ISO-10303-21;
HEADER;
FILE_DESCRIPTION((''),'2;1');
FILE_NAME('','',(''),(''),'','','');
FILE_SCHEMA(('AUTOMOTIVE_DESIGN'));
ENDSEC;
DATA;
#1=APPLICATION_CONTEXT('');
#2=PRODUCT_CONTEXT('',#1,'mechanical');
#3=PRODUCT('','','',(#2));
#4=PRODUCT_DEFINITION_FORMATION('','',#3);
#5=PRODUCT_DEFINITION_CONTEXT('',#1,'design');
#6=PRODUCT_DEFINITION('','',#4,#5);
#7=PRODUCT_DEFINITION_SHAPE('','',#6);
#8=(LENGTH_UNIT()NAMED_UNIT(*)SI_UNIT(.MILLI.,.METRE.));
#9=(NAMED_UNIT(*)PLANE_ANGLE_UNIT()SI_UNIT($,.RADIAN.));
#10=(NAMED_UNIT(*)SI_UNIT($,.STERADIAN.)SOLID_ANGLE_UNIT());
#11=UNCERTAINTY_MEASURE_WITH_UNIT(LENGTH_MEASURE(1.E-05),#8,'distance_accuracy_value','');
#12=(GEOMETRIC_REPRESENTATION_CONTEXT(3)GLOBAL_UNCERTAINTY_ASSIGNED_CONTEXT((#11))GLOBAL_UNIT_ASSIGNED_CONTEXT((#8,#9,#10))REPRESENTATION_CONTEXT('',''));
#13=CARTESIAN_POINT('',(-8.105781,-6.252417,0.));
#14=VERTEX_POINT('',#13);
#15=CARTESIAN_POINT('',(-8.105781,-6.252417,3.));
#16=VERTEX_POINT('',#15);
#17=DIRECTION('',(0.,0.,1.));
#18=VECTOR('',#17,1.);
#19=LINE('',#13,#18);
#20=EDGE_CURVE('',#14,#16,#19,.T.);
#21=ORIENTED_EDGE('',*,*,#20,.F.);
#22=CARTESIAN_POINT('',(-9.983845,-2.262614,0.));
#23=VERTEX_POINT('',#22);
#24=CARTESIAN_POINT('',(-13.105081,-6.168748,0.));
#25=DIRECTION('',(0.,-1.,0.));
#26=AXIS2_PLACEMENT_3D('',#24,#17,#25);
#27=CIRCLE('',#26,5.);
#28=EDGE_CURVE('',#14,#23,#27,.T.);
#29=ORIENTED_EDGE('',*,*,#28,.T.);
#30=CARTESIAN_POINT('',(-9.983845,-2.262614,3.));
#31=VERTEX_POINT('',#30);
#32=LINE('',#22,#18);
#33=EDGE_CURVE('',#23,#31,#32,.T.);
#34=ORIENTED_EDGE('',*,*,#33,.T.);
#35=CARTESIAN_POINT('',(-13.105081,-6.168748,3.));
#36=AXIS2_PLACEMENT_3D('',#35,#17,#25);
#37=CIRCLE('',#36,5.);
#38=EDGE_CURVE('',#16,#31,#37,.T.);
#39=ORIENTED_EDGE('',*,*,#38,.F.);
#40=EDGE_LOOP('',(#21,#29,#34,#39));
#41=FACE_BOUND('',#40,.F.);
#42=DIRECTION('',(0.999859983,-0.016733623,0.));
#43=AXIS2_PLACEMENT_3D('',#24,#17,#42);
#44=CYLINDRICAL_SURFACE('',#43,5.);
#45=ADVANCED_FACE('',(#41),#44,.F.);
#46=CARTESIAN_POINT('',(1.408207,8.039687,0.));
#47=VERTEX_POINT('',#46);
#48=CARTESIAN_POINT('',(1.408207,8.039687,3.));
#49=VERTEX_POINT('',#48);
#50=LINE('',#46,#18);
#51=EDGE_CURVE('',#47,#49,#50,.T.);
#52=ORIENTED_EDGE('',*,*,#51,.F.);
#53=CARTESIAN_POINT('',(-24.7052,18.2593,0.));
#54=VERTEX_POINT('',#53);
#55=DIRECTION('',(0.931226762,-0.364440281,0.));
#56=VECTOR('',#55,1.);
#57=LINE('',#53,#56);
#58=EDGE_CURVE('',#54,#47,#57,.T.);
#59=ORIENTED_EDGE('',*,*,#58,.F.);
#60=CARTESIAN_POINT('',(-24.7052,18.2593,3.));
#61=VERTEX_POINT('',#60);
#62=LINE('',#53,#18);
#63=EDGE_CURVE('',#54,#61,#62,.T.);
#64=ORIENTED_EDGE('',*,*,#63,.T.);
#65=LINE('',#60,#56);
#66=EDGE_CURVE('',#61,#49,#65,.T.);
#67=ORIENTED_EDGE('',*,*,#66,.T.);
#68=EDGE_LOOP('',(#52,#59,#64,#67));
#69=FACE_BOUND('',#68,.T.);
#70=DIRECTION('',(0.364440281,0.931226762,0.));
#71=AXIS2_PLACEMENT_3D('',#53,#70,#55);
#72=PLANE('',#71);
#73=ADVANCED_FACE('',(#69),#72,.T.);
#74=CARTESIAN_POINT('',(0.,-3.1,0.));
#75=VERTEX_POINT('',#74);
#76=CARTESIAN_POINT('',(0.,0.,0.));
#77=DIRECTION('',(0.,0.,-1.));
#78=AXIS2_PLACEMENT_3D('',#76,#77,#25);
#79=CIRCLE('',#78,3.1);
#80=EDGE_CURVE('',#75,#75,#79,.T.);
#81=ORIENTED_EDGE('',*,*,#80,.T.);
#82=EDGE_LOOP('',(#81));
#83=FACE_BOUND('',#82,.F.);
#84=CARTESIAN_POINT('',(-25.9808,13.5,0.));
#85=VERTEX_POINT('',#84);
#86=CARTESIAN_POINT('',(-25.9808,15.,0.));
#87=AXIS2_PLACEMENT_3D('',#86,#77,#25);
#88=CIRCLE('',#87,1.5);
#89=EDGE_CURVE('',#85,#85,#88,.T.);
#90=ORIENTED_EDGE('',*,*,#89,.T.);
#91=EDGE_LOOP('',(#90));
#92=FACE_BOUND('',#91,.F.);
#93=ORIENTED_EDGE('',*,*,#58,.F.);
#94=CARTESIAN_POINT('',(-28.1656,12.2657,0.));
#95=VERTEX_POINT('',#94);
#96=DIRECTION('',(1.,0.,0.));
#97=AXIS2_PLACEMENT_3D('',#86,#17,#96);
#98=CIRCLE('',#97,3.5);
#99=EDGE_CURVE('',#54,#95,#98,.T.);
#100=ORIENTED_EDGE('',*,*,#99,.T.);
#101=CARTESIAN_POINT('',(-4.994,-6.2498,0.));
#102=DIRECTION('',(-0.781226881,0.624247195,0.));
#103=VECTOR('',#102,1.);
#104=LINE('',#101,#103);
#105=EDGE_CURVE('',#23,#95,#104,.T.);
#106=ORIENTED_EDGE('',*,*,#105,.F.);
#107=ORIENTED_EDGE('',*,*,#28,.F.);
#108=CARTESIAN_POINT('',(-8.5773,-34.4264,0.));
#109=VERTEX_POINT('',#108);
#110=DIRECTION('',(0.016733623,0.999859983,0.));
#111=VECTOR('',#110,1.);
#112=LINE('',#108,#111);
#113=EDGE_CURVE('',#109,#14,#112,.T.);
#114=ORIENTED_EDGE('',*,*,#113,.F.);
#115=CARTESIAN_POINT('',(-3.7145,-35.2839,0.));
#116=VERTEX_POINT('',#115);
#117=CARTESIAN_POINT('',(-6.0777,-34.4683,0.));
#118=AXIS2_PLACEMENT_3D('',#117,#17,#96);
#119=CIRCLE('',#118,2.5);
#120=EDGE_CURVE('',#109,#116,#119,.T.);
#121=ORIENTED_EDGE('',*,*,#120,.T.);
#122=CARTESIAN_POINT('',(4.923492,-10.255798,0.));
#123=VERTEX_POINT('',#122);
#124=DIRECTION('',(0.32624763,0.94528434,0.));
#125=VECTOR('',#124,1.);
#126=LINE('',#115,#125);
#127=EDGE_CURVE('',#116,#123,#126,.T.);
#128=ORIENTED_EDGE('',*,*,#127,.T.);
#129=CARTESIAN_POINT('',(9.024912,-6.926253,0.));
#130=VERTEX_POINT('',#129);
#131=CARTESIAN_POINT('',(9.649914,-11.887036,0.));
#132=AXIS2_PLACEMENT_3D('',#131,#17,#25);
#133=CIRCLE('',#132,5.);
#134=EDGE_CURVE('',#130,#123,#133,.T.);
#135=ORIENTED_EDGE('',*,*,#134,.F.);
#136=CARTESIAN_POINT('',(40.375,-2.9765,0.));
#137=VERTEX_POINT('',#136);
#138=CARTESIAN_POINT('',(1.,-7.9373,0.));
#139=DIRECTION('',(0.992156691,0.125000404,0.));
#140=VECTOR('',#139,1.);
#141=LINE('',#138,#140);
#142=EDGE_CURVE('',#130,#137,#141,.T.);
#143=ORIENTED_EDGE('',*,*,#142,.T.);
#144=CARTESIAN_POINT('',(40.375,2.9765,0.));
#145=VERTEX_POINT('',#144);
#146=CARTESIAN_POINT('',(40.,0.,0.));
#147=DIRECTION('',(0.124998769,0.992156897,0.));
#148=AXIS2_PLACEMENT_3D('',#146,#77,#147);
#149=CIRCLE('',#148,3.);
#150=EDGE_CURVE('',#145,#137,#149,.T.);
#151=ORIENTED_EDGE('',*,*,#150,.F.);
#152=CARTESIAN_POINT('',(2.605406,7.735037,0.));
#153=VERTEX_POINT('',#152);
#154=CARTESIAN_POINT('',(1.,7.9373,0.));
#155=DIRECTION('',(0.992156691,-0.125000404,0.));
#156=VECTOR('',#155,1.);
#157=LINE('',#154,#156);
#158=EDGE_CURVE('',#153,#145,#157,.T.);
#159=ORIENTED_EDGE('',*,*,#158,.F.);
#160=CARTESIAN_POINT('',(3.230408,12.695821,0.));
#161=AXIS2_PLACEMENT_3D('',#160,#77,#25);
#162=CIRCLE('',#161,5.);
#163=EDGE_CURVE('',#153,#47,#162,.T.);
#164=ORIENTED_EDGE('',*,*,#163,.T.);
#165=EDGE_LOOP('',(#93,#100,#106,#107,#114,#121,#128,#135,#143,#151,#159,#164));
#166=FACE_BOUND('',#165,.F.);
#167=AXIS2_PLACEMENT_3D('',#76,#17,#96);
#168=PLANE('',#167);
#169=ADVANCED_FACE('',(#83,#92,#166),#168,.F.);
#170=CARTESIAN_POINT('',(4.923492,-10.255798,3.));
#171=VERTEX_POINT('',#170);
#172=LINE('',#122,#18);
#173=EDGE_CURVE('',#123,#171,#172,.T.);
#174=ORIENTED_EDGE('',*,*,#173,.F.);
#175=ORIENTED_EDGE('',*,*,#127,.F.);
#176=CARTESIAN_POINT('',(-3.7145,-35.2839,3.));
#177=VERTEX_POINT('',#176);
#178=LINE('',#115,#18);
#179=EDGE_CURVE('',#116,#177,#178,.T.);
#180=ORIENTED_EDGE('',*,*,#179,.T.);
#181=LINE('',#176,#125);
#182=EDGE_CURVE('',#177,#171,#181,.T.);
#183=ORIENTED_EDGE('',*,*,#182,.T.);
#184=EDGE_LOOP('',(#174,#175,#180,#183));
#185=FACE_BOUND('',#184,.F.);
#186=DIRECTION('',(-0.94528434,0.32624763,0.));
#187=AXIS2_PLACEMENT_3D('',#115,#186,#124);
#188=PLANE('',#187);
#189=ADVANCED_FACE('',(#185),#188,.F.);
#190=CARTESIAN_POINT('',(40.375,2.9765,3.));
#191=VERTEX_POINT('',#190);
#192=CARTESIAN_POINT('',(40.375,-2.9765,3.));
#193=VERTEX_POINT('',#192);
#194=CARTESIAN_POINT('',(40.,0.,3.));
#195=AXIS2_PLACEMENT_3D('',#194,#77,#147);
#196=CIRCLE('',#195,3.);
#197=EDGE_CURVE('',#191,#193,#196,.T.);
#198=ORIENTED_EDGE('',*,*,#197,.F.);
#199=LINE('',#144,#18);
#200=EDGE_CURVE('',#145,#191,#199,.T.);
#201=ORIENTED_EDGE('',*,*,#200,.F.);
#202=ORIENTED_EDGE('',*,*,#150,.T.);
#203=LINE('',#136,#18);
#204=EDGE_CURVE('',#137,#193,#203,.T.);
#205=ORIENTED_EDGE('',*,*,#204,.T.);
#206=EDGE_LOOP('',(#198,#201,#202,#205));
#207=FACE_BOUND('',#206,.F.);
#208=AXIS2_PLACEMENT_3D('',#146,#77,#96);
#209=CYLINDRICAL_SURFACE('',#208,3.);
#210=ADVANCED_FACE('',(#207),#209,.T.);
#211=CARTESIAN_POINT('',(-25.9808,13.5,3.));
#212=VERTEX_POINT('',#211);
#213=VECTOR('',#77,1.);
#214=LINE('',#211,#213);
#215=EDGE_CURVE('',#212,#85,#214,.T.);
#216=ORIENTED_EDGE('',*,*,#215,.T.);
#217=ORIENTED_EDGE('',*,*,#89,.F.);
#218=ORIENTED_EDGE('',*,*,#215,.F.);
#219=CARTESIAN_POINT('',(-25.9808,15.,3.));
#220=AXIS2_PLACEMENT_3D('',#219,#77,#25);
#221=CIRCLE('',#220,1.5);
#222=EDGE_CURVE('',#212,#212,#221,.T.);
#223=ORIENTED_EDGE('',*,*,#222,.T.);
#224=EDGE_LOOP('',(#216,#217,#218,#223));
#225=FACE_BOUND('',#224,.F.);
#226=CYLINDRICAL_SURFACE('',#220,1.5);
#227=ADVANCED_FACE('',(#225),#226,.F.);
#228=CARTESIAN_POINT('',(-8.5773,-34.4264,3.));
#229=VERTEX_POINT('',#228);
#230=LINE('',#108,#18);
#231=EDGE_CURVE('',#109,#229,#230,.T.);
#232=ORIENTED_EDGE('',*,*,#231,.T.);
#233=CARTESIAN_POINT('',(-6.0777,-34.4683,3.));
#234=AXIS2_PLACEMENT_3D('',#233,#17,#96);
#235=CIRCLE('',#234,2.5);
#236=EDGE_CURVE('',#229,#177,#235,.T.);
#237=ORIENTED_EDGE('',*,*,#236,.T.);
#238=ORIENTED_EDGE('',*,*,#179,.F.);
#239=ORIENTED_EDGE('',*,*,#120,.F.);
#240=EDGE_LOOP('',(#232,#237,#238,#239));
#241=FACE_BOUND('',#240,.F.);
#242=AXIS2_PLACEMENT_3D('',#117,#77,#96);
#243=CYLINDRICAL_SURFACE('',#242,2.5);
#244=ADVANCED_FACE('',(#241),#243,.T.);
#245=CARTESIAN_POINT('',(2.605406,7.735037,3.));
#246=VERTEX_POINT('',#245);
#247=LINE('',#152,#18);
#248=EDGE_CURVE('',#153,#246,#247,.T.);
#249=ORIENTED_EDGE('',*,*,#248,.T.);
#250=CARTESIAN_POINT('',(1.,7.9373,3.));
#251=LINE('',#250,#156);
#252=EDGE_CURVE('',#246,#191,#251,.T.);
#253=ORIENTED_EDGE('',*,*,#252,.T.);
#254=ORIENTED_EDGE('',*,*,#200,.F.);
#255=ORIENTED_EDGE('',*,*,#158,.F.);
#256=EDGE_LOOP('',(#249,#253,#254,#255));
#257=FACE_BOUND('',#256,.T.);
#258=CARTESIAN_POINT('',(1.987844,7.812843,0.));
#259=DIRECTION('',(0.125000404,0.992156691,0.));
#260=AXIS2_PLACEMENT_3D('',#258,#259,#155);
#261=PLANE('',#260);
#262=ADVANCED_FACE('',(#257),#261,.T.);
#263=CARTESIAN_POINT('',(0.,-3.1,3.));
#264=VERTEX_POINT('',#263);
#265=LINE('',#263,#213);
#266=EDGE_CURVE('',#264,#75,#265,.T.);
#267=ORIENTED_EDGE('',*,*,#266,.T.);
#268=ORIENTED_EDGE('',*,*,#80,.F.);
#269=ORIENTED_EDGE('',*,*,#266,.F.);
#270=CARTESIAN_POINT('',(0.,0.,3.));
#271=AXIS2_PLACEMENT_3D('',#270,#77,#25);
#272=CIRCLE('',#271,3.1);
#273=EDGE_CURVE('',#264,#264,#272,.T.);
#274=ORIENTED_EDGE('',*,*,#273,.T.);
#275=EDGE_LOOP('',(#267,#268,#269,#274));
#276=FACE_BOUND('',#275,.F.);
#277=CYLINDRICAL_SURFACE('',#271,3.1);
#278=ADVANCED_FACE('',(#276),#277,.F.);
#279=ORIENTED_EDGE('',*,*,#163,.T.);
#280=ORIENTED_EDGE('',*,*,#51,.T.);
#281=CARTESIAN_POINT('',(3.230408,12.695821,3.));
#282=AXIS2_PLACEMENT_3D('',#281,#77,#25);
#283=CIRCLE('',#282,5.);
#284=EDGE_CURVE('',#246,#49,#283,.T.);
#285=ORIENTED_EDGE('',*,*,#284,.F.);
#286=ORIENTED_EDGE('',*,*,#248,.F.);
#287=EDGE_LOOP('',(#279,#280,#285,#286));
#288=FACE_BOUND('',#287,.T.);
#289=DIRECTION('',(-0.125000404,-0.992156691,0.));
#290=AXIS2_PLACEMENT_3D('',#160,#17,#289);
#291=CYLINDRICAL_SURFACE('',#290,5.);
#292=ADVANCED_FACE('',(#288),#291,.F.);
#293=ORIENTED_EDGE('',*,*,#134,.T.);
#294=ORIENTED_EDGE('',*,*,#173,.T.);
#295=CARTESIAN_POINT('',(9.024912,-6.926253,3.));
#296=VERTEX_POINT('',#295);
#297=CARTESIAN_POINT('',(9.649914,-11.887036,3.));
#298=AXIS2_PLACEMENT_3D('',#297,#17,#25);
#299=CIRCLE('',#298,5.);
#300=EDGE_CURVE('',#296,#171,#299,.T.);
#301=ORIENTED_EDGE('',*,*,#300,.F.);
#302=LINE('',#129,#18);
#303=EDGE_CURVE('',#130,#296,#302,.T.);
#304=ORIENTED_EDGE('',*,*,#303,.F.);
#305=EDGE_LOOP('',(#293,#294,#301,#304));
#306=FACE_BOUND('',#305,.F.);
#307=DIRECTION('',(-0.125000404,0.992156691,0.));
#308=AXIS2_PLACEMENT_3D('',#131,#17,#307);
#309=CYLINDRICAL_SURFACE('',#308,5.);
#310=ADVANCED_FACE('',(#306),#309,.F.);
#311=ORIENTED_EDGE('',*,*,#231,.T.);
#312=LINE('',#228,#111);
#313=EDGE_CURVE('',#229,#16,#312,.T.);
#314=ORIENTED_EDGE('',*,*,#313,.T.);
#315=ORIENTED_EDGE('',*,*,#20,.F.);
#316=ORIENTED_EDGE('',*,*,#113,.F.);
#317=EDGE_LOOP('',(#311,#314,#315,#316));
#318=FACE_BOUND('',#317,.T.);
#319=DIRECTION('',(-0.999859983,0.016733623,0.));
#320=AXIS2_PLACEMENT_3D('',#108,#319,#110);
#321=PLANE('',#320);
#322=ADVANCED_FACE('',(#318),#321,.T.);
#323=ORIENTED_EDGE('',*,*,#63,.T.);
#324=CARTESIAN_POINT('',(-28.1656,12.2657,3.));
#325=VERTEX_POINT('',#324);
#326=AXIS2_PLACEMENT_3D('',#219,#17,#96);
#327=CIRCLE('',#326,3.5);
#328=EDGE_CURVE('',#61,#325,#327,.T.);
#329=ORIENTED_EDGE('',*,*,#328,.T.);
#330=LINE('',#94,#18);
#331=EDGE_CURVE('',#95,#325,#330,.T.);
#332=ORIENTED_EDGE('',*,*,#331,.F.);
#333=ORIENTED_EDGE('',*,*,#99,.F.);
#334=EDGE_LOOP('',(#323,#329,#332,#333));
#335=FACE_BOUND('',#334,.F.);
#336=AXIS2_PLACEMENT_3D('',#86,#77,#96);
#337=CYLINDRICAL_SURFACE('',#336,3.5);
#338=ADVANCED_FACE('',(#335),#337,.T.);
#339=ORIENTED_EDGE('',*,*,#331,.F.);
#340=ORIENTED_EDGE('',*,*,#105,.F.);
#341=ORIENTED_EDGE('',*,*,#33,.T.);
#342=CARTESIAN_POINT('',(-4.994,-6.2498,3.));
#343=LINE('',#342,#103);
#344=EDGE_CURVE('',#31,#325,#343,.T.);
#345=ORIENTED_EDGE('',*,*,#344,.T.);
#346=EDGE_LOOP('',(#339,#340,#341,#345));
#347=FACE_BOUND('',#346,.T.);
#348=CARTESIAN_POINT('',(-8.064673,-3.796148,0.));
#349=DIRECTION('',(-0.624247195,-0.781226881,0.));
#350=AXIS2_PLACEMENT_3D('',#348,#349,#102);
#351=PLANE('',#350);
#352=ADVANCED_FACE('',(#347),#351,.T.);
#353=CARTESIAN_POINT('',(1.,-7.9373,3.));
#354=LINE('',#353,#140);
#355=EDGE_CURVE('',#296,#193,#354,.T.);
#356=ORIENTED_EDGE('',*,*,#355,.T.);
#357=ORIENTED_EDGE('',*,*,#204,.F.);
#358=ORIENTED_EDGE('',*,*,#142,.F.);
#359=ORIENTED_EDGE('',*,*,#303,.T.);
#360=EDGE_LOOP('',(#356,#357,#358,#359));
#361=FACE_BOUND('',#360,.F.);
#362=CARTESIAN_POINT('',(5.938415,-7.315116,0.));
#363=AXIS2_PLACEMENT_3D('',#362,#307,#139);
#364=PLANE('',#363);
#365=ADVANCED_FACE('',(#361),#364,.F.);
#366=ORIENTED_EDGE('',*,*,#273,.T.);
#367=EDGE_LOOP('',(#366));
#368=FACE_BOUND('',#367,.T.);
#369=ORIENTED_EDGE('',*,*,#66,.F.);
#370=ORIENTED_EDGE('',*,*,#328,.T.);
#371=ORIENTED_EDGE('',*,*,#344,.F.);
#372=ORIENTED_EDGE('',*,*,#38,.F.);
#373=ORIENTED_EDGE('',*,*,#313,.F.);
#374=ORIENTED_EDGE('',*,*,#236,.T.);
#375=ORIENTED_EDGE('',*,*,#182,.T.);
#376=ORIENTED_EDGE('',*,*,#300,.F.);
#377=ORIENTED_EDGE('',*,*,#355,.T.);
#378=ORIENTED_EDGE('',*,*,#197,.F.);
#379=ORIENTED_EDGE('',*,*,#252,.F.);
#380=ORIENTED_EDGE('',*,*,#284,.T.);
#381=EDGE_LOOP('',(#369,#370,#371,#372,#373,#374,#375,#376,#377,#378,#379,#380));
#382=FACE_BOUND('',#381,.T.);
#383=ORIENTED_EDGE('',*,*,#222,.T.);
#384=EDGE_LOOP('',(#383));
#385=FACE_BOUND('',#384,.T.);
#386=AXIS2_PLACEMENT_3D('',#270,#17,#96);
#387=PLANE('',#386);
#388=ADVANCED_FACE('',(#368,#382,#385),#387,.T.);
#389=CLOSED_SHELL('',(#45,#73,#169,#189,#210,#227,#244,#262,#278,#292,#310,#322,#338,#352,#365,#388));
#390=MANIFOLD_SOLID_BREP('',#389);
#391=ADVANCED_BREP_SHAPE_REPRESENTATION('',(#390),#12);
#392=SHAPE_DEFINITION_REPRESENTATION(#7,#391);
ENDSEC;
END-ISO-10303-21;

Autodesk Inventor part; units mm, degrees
ref_plane "YZ Plane" through (0, 0, 0) normal (1, 0, 0) x (0, 1, 0)
ref_plane "XZ Plane" through (0, 0, 0) normal (0, 1, 0) x (-1, 0, 0)
ref_plane "XY Plane" through (0, 0, 0) normal (0, 0, 1) x (1, 0, 0)
sketch "Sketch1" plane through (0, 0, 0) normal (0, 0, 1) x (1, 0, 0)
  circle A0 centre (0, 0) radius 8
  line L0 (1, 7.9373) -> (40.375, 2.9765)
  line L1 (1, -7.9373) -> (40.375, -2.9765)
  line L2 (0, 0) -> (40, 0) construction
  circle A1 centre (40, 0) radius 3
  circle A2 centre (-6.0777, -34.4683) radius 2.5
  line L3 (-3.7145, -35.2839) -> (7.5623, -2.61)
  line L4 (-8.5773, -34.4264) -> (-7.9989, 0.1339)
  line L5 (0, 0) -> (-6.0777, -34.4683) construction
  circle A3 centre (-25.9808, 15) radius 3.5
  line L6 (-24.7052, 18.2593) -> (2.9155, 7.4498)
  line L7 (-4.994, -6.2498) -> (-28.1656, 12.2657)
  line L8 (-25.9808, 15) -> (0, 0) construction
  point P0 (-3.8416, -33.3502)
  dimension "d0" = 16
  dimension "d1" = 6
  dimension "d2" = 40
  dimension "d3" = 5
  dimension "d4" = 35
  dimension "d5" = 100
  dimension "d32" = 18.082
  dimension "d36" = 30
  dimension "d37" = 7
  dimension "d38" = 150
extrude "Extrusion1" add sketch "Sketch1" along normal blind 3
fillet "Fillet1" radius 5 3 edges at (5.9384, -7.3151, 1.5) (1.9881, 7.8128, 1.5) (-8.0647, -3.7962, 1.5)
sketch "Sketch2" plane through (0, 0, 3) normal (0, 0, 1) x (1, 0, 0)
  point P0 (0, 0)
  point P1 (0, 0)
hole "Hole1" at (0, 0, 3) direction (0, 0, -1) diameter 6.2 end through all
sketch "Sketch3" plane through (0, 0, 3) normal (0, 0, 1) x (1, 0, 0)
  line L0 (-8.1058, -6.2524) -> (-8.5773, -34.4264) projected
  line L1 (-3.7145, -35.2839) -> (4.9235, -10.2558) projected
  point P0 (0, 0)
  point P1 (-3.473, -19.6962)
  point P2 (-7.4498, 2.9155)
  point P3 (-8.5773, -34.4264)
  point P4 (-9.2276, -1.6271)
  dimension "d33" = 20
  dimension "d34" = 4.8571
  dimension "d35" = 4.8571
hole "Hole2" [suppressed]
sketch "Sketch4" plane through (0, 0, 3) normal (0, 0, 1) x (1, 0, 0)
  arc A0 (-8.5773, -34.4264) -> (-3.7145, -35.2839) centre (-6.0777, -34.4683) ccw projected
  arc A1 (-24.7052, 18.2593) -> (-28.1656, 12.2657) centre (-25.9808, 15) ccw projected
  point P0 (0, 0)
hole "Hole3" at (-25.9808, 15, 3) direction (0, 0, -1) diameter 3 end through all
equation "\"d34\" = d35"
properties part number "Pancake_Switch Lever 2" material "Nylon 6/6"
